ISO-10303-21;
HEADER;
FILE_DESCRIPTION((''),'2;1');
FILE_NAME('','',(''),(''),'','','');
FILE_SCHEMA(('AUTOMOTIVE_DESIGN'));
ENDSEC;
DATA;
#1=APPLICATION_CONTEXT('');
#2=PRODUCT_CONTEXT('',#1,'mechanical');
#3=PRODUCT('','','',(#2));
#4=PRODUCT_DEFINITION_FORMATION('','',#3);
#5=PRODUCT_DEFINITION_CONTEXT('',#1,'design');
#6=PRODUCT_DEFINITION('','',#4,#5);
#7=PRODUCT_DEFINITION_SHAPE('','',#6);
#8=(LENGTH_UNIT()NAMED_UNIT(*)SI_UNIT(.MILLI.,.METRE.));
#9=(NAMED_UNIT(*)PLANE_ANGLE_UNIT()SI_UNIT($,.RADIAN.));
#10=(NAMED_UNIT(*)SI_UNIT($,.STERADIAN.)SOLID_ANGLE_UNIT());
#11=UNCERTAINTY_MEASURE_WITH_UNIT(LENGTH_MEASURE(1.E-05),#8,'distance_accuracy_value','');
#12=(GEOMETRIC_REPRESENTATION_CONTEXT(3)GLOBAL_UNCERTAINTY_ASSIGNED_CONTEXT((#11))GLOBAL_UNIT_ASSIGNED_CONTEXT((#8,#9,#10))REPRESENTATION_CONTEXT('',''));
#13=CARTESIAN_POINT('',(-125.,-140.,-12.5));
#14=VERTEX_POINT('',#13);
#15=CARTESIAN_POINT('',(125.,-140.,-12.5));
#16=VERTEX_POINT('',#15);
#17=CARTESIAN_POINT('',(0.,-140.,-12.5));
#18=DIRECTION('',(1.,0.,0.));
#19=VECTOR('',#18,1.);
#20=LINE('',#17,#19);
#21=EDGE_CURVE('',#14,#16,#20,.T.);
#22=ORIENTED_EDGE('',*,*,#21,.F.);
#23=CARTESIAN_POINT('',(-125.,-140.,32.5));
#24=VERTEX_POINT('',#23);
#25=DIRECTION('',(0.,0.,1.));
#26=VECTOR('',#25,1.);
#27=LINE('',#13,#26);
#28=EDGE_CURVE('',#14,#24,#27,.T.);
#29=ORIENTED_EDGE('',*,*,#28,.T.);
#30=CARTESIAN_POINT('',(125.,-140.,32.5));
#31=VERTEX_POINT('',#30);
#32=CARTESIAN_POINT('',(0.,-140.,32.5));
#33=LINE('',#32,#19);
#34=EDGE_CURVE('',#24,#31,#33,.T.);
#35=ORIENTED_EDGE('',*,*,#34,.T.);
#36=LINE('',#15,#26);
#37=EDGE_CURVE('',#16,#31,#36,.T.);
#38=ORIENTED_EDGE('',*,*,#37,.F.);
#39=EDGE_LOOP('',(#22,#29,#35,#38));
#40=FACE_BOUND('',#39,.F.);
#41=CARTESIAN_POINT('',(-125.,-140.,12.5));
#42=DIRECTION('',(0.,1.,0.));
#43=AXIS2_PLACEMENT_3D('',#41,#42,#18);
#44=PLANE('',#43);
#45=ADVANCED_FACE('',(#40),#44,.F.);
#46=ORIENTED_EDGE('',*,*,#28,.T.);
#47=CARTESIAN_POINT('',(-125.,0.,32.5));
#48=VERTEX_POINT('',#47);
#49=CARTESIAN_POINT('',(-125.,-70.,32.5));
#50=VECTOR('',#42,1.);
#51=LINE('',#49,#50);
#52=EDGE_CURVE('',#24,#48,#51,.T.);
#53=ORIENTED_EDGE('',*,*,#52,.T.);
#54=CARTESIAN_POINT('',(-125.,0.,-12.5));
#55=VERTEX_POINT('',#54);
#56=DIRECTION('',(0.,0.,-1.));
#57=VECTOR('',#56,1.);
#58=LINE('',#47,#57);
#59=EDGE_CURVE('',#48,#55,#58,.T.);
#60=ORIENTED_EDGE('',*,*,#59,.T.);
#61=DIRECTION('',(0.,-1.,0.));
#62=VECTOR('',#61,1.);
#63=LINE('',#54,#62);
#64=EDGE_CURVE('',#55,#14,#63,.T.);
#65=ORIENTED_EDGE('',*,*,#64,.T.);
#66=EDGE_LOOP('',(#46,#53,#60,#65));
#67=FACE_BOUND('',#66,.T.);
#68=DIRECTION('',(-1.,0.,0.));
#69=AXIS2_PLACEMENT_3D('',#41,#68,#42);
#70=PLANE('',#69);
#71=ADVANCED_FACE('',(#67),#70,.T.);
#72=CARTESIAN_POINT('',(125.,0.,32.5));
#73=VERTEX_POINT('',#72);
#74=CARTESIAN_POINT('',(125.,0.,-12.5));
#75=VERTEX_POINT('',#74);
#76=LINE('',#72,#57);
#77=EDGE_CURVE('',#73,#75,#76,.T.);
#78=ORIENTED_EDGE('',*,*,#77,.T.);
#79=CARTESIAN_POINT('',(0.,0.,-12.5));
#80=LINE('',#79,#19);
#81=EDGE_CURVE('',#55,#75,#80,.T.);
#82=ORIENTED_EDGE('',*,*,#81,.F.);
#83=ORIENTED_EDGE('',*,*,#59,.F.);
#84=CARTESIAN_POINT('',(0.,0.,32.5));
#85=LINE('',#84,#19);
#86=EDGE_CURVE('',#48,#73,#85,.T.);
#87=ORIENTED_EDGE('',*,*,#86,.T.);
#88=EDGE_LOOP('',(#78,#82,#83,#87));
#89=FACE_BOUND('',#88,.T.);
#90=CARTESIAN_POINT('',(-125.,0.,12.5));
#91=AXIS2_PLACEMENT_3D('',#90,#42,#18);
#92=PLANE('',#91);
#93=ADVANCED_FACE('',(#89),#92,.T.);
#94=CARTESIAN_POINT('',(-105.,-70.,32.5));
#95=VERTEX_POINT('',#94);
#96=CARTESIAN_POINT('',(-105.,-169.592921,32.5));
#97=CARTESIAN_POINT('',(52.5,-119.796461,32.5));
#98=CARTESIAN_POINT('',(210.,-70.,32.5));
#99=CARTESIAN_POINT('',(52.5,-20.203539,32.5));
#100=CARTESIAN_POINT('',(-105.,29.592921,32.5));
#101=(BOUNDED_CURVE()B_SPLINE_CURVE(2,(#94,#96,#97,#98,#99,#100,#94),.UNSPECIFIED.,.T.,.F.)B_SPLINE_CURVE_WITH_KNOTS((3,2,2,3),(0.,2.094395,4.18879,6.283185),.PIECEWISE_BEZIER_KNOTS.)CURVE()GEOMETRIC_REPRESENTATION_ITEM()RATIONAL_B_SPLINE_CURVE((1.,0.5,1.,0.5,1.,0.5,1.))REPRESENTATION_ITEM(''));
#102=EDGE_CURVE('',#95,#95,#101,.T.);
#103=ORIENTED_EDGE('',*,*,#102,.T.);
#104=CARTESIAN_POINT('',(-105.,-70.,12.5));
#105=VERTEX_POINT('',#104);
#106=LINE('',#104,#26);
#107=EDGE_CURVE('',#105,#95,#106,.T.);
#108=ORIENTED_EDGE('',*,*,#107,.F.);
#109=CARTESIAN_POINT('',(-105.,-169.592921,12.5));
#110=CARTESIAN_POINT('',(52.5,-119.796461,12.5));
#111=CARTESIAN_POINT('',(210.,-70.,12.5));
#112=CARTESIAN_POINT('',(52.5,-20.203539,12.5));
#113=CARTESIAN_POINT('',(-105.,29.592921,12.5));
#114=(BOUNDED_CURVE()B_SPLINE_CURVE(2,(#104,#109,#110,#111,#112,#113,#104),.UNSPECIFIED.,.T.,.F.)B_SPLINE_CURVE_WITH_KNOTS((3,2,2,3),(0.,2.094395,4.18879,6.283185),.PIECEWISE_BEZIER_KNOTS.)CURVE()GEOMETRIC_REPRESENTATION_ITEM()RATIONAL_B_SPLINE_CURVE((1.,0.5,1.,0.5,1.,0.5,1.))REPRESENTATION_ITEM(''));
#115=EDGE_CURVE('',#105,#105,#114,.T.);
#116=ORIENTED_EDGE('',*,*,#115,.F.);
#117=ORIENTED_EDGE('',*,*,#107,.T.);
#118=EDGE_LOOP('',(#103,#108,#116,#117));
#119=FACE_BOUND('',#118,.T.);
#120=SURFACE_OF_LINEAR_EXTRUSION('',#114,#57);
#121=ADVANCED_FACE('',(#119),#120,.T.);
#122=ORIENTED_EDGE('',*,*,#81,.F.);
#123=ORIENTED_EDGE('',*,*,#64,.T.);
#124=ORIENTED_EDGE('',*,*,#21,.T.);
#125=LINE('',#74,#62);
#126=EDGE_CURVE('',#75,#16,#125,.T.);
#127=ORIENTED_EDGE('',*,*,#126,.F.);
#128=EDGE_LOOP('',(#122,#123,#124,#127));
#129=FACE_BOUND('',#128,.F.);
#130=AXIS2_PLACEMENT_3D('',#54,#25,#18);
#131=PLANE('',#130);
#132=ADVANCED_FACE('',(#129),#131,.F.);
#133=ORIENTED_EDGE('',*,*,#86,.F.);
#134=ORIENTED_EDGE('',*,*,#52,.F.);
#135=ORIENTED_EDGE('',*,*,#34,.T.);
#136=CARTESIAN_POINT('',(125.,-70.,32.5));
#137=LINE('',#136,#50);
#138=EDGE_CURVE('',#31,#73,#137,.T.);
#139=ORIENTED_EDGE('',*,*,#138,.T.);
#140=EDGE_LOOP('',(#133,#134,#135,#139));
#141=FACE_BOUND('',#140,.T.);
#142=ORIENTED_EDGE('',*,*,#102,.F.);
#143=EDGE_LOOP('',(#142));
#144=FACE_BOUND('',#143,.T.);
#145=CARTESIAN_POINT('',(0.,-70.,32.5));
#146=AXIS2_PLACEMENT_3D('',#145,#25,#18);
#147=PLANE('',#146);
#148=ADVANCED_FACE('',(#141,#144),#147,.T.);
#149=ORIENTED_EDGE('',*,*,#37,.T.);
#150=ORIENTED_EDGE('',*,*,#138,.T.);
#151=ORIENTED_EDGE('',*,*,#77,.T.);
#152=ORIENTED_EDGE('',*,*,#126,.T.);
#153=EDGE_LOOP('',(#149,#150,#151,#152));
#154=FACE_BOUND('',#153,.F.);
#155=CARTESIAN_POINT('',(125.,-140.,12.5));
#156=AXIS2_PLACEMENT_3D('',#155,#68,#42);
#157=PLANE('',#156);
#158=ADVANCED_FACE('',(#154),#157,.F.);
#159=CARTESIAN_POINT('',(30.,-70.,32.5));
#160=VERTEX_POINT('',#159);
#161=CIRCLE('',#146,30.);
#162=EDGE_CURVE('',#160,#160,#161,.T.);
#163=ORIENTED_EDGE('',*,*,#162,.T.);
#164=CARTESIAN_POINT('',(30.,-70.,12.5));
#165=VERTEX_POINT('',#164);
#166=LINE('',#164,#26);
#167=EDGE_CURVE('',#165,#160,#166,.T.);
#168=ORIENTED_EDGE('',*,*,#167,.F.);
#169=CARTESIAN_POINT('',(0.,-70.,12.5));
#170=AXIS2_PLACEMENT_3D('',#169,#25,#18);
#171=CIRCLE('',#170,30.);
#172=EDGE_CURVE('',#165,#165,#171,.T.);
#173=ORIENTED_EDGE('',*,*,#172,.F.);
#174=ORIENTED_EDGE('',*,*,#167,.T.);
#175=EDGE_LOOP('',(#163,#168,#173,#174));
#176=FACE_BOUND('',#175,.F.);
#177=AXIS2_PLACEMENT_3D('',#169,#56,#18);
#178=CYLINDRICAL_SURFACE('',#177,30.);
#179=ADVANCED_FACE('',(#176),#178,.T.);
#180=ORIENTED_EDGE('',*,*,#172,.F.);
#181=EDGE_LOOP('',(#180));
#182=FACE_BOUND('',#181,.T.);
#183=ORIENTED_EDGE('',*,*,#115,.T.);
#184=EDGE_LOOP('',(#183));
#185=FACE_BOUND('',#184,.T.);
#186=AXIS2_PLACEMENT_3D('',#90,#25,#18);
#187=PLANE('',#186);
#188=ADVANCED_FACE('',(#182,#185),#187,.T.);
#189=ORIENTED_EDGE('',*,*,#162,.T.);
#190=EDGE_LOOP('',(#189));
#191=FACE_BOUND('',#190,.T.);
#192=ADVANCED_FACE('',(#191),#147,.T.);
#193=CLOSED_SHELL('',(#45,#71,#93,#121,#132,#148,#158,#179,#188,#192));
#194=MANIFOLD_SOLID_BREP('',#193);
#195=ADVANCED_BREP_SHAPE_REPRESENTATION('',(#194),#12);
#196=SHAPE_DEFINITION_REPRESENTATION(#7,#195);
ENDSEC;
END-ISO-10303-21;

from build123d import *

# Parameters (mm, degrees)
F0_W     = 250
F0_H     = 25
F1_DEPTH = 140
F2_W     = 250
F2_H     = 140
F2_R     = 30
F3_DEPTH = 20


with BuildPart() as f1:
    # F0 (on Front) → F1 (new body)
    with BuildSketch(Plane.XZ):
        Rectangle(F0_W, F0_H)
    extrude(amount=F1_DEPTH)

    # F2 (on face) → F3 (join)
    with BuildSketch(Plane.XY.offset(12.5)):
        with Locations((0, -70)):
            Rectangle(F2_W, F2_H)
        with BuildLine():
            add(Edge.make_bspline(
                [(-105, -70), (-105, -169.592921), (52.5, -119.796461), (210, -70), (52.5, -20.203539), (-105, 29.592921), (-105, -70)],
                knots=[0, 0, 0, 2.094395, 2.094395, 4.18879, 4.18879, 6.283185, 6.283185, 6.283185], degree=2, weights=[1, 0.5, 1, 0.5, 1, 0.5, 1]))
        make_face(mode=Mode.SUBTRACT)
        with Locations((0, -70)):
            Circle(F2_R)
    extrude(amount=F3_DEPTH)


solid = f1.part
